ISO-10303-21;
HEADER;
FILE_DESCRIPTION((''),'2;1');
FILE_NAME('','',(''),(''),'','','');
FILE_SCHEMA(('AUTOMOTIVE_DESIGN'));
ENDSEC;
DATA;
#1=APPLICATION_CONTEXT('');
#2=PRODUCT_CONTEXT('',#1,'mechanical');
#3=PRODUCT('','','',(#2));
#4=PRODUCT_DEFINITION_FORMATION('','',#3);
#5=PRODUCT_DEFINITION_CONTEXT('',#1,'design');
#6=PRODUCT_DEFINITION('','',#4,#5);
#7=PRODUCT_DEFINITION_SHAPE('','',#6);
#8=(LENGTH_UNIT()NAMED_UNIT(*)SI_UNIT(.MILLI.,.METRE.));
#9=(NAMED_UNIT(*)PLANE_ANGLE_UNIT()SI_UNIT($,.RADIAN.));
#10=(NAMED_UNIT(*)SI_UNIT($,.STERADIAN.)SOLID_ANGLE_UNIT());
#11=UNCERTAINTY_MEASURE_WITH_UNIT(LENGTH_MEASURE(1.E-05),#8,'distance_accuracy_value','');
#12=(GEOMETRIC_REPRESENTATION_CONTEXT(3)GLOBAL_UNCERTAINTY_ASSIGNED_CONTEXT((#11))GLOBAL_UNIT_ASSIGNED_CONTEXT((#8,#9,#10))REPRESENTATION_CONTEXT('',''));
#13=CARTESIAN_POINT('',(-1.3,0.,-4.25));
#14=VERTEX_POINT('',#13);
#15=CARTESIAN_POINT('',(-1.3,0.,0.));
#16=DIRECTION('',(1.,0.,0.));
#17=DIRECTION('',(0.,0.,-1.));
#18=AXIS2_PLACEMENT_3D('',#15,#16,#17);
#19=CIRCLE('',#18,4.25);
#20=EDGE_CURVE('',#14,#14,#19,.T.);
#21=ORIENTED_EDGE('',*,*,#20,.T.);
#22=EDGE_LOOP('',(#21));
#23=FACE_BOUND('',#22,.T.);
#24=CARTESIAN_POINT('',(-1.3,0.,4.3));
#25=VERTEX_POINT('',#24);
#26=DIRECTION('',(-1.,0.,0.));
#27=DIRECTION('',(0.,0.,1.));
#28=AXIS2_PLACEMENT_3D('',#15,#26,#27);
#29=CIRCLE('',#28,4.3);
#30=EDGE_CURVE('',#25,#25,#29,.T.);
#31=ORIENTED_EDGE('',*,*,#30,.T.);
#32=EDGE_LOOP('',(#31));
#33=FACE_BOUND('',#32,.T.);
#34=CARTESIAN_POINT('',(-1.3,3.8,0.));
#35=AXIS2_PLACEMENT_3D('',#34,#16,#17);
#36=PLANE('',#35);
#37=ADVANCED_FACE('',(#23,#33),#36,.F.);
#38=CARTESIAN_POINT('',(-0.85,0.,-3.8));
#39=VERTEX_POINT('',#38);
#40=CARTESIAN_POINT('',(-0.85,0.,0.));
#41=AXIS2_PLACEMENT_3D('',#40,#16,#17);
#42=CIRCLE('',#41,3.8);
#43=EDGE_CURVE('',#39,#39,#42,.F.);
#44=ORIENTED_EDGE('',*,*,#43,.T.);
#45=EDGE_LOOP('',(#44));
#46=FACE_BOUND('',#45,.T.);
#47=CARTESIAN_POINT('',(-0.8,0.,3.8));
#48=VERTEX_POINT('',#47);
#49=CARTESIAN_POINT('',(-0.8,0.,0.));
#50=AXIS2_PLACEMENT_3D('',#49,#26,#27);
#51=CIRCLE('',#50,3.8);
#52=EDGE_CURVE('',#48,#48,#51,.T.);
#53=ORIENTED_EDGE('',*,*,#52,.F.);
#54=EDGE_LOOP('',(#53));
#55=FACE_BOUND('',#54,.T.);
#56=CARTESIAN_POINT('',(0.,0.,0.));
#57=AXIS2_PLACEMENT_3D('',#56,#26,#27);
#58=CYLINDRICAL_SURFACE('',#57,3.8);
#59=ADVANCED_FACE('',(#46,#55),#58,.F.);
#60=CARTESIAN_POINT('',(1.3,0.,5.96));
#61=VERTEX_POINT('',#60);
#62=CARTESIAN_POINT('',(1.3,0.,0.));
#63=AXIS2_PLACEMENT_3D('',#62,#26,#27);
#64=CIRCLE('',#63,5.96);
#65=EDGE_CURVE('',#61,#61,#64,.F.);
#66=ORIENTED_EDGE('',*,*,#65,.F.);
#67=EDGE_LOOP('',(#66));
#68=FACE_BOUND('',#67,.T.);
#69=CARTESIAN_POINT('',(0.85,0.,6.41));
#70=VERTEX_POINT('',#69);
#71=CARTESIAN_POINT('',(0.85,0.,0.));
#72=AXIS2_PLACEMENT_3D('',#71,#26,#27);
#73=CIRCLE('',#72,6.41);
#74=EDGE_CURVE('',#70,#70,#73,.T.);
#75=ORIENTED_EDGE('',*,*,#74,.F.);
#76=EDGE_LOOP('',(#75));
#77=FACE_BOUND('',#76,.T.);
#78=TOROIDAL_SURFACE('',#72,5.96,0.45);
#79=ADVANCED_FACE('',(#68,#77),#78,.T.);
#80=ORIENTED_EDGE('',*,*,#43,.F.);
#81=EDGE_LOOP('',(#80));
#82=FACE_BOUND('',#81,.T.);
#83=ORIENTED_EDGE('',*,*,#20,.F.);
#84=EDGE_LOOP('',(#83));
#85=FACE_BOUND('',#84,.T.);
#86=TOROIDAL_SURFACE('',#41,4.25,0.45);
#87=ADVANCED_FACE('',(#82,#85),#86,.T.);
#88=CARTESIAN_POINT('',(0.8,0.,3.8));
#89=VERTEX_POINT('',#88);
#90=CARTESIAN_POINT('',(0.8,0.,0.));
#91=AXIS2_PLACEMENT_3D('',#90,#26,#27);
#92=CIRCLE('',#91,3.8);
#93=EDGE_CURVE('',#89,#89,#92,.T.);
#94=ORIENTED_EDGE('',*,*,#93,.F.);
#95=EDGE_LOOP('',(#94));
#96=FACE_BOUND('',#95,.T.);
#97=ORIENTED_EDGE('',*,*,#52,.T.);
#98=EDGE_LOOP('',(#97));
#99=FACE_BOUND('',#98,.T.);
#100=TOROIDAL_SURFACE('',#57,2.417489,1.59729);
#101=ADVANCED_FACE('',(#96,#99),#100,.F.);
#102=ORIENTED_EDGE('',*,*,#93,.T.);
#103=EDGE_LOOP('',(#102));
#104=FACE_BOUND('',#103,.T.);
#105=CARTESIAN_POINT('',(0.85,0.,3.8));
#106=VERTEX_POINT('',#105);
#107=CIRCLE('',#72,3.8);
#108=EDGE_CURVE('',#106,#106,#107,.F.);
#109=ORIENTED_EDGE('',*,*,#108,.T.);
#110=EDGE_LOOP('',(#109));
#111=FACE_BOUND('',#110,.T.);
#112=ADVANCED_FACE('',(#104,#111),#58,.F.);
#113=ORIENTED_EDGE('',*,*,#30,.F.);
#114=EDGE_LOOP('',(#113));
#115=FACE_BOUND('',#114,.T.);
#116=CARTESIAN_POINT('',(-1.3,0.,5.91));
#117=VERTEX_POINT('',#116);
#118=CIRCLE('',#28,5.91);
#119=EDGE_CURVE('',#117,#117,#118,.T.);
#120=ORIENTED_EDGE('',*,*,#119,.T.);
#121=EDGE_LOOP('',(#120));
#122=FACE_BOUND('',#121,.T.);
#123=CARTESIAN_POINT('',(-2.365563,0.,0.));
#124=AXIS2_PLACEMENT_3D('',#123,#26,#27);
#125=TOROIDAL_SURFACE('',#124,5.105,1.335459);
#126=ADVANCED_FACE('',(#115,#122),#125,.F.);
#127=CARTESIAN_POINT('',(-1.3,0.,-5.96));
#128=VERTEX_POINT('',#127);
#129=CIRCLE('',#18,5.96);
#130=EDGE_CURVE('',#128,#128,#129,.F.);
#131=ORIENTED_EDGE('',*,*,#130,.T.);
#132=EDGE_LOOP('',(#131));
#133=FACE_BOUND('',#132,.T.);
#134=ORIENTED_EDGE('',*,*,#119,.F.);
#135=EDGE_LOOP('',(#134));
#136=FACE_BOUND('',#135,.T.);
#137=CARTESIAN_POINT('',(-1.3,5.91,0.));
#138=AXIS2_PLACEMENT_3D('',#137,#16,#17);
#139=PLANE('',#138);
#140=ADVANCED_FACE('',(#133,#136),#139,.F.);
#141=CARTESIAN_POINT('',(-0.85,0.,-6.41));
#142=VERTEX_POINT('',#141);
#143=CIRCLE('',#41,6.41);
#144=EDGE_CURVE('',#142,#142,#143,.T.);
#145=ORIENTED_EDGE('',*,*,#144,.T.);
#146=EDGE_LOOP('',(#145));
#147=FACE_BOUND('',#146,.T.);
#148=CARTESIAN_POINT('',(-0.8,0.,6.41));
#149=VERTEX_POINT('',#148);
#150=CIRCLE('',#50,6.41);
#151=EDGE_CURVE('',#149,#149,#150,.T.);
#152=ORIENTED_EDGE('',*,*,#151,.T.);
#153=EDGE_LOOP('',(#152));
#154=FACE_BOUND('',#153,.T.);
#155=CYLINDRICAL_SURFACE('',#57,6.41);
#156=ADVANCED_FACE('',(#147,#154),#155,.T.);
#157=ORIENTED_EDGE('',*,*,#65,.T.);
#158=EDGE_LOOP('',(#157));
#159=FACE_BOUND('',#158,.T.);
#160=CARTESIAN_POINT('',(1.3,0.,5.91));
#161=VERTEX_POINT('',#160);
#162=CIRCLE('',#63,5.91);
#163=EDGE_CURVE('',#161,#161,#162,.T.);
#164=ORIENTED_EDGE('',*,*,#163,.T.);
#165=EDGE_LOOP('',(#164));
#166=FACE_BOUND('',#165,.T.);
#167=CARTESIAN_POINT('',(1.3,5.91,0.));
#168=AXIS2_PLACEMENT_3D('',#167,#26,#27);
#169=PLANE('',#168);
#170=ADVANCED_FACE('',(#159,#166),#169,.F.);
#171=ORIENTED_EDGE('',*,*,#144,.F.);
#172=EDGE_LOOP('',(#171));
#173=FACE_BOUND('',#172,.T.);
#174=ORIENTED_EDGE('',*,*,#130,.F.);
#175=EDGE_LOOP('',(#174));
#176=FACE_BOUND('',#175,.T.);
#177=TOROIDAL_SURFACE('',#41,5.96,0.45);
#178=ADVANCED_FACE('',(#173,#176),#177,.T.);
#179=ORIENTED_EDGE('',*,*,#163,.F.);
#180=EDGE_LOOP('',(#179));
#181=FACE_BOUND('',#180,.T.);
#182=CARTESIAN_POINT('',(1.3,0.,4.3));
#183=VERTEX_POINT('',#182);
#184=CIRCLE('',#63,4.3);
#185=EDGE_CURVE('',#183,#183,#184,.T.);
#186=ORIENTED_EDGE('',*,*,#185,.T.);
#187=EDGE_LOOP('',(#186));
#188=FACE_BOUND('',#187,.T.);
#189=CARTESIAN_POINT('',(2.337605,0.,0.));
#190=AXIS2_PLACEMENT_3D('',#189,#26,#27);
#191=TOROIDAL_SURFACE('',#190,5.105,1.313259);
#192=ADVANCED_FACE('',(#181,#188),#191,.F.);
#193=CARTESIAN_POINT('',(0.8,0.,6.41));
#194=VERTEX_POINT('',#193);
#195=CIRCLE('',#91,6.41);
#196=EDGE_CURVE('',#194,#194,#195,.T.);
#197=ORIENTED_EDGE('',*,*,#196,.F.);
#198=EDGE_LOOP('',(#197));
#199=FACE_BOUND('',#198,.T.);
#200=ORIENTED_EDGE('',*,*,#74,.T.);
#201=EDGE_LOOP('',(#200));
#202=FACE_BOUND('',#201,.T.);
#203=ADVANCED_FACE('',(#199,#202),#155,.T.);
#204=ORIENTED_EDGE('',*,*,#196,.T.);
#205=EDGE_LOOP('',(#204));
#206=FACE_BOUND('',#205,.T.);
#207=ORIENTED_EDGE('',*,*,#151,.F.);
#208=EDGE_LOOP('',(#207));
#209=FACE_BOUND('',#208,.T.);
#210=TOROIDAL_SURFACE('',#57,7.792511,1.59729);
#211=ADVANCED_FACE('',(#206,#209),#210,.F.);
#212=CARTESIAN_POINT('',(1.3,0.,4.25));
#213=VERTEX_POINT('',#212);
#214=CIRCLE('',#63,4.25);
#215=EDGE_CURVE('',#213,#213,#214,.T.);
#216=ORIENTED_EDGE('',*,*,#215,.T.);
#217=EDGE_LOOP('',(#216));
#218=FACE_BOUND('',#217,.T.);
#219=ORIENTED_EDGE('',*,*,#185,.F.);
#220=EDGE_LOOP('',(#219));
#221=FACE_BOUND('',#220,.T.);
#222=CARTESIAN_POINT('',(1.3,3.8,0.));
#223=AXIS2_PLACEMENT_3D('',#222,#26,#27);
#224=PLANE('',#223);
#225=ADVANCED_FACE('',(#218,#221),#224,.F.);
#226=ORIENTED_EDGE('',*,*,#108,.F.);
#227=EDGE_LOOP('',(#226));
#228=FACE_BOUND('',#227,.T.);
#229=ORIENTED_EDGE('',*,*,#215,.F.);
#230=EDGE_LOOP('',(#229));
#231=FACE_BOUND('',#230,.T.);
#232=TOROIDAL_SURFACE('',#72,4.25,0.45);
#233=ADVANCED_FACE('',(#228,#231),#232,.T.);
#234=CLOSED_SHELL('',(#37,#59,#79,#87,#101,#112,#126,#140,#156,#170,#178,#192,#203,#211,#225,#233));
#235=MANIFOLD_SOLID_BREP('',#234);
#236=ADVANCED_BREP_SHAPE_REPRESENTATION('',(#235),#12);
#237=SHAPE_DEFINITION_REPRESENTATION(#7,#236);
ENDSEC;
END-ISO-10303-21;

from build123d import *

# Parameters (mm, degrees)
FILLET1_R = 0.45


with BuildPart() as part:
    # Sketch1 → Revolve1 (revolve)
    with BuildSketch(Plane.XY, mode=Mode.PRIVATE) as revolve1_sk:
        with BuildLine():
            Line((-1.3, 3.8), (-0.8, 3.8))
            ThreePointArc((-0.8, 3.8), (0, 4.014779407), (0.8, 3.8))
            Line((0.8, 3.8), (1.3, 3.8))
            Line((1.3, 3.8), (1.3, 4.3))
            ThreePointArc((1.3, 4.3), (1.024345985, 5.105), (1.3, 5.91))
            Line((1.3, 5.91), (1.3, 6.41))
            Line((1.3, 6.41), (0.8, 6.41))
            ThreePointArc((0.8, 6.41), (0, 6.195220593), (-0.8, 6.41))
            Line((-0.8, 6.41), (-1.3, 6.41))
            Line((-1.3, 6.41), (-1.3, 5.91))
            ThreePointArc((-1.3, 5.91), (-1.030104508, 5.105), (-1.3, 4.3))
            Line((-1.3, 4.3), (-1.3, 3.8))
        make_face()
    revolve(revolve1_sk.sketch.rotate(Axis((0, 0, 0), (1, 0, 0)), 90), axis=Axis((0, 0, 0), (1, 0, 0)))

    # Fillet1
    fillet1_edges = [part.edges().sort_by_distance(p)[0] for p in [
        (-1.3, 0, -3.8),
        (-1.3, 0, -6.41),
        (1.3, 0, -6.41),
        (1.3, 0, -3.8),
    ]]
    fillet(fillet1_edges, radius=FILLET1_R)


solid = part.part
